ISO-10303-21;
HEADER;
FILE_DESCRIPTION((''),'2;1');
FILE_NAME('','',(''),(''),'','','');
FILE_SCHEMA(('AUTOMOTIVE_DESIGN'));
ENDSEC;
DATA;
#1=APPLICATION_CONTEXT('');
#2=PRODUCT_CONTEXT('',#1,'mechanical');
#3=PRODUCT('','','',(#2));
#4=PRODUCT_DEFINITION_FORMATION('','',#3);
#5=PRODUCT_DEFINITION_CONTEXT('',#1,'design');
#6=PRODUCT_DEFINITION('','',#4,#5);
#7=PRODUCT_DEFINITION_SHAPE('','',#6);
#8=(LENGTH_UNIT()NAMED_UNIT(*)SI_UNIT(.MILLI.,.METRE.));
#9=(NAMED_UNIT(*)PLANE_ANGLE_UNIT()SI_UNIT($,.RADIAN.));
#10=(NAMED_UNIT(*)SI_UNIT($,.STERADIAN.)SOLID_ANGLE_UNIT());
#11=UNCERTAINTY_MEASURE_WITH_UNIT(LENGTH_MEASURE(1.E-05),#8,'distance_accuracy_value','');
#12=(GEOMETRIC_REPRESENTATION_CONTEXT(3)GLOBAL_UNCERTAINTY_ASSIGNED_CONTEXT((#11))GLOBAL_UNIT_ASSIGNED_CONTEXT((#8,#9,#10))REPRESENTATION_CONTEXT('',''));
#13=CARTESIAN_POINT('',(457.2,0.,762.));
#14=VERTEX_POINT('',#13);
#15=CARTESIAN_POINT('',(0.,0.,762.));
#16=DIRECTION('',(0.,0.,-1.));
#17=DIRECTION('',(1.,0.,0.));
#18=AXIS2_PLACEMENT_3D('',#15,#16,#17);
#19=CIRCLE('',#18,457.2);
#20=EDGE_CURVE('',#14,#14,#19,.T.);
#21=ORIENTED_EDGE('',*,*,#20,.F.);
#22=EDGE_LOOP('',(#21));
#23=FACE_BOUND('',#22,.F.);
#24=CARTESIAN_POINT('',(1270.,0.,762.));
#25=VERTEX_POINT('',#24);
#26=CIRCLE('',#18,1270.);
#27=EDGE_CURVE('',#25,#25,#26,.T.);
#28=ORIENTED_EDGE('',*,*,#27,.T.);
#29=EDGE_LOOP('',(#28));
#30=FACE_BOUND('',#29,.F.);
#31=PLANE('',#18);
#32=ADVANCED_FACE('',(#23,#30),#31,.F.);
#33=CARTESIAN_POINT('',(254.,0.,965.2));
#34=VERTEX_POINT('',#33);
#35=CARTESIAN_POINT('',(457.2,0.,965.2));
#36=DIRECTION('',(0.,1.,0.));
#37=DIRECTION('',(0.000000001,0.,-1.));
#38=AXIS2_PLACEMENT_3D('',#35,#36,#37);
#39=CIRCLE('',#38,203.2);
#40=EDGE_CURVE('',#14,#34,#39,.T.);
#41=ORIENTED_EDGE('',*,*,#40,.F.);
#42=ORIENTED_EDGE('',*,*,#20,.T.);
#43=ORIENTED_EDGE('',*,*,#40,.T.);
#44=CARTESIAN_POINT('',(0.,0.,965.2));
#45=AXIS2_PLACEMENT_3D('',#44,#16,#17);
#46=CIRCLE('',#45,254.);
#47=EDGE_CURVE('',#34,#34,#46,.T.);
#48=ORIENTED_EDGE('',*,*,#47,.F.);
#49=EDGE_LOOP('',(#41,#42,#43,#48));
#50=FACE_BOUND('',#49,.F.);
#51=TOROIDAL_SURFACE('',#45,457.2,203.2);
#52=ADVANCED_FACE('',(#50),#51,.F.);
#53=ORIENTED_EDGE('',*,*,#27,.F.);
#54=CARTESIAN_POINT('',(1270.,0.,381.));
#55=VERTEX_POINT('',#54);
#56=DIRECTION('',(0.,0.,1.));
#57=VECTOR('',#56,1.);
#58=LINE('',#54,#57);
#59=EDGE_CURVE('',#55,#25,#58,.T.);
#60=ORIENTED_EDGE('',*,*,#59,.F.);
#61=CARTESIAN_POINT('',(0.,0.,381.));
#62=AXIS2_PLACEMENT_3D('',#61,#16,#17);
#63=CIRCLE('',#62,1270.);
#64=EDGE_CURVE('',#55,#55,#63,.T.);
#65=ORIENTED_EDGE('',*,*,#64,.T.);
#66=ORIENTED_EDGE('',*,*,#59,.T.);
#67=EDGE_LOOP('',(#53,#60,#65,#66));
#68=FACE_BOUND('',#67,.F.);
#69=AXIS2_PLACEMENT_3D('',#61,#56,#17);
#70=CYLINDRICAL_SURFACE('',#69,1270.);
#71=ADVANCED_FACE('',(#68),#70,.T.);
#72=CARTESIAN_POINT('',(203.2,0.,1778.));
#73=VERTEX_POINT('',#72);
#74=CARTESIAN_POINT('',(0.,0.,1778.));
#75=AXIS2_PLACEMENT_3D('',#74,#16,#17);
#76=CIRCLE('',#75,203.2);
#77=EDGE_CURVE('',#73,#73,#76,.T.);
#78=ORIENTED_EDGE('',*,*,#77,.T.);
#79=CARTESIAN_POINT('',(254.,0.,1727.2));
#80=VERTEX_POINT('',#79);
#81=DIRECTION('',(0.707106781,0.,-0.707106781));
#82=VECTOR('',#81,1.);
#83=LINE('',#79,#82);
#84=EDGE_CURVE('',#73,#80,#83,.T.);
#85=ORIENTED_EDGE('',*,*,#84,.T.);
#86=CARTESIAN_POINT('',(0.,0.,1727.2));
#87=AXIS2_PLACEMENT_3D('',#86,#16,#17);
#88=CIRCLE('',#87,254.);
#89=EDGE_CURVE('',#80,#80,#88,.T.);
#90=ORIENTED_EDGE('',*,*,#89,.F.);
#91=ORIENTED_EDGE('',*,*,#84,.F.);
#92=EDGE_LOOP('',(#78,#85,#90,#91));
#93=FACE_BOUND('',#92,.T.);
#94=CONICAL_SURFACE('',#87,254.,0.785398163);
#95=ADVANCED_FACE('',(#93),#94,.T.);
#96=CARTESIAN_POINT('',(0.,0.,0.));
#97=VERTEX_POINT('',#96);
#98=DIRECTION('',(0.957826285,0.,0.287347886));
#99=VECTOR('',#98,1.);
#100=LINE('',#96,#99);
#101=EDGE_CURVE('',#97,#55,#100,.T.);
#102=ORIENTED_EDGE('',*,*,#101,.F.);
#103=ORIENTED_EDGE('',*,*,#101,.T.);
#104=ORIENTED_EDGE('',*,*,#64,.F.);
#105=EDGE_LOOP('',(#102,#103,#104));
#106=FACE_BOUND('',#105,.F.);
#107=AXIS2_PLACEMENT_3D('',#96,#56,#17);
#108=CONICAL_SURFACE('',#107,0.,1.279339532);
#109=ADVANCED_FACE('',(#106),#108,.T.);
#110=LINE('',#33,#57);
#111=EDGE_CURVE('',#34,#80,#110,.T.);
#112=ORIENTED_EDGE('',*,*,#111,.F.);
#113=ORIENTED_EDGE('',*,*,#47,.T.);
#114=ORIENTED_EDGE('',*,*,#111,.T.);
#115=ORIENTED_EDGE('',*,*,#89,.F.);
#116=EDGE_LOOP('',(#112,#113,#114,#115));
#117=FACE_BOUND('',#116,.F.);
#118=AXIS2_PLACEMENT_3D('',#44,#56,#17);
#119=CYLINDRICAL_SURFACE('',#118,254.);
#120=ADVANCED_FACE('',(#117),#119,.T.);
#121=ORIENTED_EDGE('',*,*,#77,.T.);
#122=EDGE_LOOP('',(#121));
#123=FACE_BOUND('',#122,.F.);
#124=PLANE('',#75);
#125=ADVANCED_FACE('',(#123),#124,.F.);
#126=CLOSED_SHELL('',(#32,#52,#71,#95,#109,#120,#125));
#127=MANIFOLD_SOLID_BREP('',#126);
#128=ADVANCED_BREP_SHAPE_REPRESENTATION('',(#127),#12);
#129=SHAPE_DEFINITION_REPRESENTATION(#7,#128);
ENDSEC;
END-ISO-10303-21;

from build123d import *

# Parameters (mm, degrees)
F2_SIZE = 50.8


with BuildPart() as f1:
    # F0 (on Front) → F1 (revolve)
    with BuildSketch(Plane.XZ):
        with BuildLine():
            Line((254, 1778), (0, 1778))
            Line((0, 1778), (0, 0))
            Line((0, 0), (1270, 381))
            Line((1270, 381), (1270, 762))
            Line((1270, 762), (457.2, 762))
            ThreePointArc((457.2, 762), (313.515902, 821.515902), (254, 965.2))
            Line((254, 965.2), (254, 1778))
        make_face()
    revolve(axis=Axis((0, 0, 170.350316), (0, 0, -1)))

    # F2
    f2_edges = [f1.edges().sort_by_distance(p)[0] for p in [
        (-254, 0, 1778),
    ]]
    chamfer(f2_edges, length=F2_SIZE)


solid = f1.part
